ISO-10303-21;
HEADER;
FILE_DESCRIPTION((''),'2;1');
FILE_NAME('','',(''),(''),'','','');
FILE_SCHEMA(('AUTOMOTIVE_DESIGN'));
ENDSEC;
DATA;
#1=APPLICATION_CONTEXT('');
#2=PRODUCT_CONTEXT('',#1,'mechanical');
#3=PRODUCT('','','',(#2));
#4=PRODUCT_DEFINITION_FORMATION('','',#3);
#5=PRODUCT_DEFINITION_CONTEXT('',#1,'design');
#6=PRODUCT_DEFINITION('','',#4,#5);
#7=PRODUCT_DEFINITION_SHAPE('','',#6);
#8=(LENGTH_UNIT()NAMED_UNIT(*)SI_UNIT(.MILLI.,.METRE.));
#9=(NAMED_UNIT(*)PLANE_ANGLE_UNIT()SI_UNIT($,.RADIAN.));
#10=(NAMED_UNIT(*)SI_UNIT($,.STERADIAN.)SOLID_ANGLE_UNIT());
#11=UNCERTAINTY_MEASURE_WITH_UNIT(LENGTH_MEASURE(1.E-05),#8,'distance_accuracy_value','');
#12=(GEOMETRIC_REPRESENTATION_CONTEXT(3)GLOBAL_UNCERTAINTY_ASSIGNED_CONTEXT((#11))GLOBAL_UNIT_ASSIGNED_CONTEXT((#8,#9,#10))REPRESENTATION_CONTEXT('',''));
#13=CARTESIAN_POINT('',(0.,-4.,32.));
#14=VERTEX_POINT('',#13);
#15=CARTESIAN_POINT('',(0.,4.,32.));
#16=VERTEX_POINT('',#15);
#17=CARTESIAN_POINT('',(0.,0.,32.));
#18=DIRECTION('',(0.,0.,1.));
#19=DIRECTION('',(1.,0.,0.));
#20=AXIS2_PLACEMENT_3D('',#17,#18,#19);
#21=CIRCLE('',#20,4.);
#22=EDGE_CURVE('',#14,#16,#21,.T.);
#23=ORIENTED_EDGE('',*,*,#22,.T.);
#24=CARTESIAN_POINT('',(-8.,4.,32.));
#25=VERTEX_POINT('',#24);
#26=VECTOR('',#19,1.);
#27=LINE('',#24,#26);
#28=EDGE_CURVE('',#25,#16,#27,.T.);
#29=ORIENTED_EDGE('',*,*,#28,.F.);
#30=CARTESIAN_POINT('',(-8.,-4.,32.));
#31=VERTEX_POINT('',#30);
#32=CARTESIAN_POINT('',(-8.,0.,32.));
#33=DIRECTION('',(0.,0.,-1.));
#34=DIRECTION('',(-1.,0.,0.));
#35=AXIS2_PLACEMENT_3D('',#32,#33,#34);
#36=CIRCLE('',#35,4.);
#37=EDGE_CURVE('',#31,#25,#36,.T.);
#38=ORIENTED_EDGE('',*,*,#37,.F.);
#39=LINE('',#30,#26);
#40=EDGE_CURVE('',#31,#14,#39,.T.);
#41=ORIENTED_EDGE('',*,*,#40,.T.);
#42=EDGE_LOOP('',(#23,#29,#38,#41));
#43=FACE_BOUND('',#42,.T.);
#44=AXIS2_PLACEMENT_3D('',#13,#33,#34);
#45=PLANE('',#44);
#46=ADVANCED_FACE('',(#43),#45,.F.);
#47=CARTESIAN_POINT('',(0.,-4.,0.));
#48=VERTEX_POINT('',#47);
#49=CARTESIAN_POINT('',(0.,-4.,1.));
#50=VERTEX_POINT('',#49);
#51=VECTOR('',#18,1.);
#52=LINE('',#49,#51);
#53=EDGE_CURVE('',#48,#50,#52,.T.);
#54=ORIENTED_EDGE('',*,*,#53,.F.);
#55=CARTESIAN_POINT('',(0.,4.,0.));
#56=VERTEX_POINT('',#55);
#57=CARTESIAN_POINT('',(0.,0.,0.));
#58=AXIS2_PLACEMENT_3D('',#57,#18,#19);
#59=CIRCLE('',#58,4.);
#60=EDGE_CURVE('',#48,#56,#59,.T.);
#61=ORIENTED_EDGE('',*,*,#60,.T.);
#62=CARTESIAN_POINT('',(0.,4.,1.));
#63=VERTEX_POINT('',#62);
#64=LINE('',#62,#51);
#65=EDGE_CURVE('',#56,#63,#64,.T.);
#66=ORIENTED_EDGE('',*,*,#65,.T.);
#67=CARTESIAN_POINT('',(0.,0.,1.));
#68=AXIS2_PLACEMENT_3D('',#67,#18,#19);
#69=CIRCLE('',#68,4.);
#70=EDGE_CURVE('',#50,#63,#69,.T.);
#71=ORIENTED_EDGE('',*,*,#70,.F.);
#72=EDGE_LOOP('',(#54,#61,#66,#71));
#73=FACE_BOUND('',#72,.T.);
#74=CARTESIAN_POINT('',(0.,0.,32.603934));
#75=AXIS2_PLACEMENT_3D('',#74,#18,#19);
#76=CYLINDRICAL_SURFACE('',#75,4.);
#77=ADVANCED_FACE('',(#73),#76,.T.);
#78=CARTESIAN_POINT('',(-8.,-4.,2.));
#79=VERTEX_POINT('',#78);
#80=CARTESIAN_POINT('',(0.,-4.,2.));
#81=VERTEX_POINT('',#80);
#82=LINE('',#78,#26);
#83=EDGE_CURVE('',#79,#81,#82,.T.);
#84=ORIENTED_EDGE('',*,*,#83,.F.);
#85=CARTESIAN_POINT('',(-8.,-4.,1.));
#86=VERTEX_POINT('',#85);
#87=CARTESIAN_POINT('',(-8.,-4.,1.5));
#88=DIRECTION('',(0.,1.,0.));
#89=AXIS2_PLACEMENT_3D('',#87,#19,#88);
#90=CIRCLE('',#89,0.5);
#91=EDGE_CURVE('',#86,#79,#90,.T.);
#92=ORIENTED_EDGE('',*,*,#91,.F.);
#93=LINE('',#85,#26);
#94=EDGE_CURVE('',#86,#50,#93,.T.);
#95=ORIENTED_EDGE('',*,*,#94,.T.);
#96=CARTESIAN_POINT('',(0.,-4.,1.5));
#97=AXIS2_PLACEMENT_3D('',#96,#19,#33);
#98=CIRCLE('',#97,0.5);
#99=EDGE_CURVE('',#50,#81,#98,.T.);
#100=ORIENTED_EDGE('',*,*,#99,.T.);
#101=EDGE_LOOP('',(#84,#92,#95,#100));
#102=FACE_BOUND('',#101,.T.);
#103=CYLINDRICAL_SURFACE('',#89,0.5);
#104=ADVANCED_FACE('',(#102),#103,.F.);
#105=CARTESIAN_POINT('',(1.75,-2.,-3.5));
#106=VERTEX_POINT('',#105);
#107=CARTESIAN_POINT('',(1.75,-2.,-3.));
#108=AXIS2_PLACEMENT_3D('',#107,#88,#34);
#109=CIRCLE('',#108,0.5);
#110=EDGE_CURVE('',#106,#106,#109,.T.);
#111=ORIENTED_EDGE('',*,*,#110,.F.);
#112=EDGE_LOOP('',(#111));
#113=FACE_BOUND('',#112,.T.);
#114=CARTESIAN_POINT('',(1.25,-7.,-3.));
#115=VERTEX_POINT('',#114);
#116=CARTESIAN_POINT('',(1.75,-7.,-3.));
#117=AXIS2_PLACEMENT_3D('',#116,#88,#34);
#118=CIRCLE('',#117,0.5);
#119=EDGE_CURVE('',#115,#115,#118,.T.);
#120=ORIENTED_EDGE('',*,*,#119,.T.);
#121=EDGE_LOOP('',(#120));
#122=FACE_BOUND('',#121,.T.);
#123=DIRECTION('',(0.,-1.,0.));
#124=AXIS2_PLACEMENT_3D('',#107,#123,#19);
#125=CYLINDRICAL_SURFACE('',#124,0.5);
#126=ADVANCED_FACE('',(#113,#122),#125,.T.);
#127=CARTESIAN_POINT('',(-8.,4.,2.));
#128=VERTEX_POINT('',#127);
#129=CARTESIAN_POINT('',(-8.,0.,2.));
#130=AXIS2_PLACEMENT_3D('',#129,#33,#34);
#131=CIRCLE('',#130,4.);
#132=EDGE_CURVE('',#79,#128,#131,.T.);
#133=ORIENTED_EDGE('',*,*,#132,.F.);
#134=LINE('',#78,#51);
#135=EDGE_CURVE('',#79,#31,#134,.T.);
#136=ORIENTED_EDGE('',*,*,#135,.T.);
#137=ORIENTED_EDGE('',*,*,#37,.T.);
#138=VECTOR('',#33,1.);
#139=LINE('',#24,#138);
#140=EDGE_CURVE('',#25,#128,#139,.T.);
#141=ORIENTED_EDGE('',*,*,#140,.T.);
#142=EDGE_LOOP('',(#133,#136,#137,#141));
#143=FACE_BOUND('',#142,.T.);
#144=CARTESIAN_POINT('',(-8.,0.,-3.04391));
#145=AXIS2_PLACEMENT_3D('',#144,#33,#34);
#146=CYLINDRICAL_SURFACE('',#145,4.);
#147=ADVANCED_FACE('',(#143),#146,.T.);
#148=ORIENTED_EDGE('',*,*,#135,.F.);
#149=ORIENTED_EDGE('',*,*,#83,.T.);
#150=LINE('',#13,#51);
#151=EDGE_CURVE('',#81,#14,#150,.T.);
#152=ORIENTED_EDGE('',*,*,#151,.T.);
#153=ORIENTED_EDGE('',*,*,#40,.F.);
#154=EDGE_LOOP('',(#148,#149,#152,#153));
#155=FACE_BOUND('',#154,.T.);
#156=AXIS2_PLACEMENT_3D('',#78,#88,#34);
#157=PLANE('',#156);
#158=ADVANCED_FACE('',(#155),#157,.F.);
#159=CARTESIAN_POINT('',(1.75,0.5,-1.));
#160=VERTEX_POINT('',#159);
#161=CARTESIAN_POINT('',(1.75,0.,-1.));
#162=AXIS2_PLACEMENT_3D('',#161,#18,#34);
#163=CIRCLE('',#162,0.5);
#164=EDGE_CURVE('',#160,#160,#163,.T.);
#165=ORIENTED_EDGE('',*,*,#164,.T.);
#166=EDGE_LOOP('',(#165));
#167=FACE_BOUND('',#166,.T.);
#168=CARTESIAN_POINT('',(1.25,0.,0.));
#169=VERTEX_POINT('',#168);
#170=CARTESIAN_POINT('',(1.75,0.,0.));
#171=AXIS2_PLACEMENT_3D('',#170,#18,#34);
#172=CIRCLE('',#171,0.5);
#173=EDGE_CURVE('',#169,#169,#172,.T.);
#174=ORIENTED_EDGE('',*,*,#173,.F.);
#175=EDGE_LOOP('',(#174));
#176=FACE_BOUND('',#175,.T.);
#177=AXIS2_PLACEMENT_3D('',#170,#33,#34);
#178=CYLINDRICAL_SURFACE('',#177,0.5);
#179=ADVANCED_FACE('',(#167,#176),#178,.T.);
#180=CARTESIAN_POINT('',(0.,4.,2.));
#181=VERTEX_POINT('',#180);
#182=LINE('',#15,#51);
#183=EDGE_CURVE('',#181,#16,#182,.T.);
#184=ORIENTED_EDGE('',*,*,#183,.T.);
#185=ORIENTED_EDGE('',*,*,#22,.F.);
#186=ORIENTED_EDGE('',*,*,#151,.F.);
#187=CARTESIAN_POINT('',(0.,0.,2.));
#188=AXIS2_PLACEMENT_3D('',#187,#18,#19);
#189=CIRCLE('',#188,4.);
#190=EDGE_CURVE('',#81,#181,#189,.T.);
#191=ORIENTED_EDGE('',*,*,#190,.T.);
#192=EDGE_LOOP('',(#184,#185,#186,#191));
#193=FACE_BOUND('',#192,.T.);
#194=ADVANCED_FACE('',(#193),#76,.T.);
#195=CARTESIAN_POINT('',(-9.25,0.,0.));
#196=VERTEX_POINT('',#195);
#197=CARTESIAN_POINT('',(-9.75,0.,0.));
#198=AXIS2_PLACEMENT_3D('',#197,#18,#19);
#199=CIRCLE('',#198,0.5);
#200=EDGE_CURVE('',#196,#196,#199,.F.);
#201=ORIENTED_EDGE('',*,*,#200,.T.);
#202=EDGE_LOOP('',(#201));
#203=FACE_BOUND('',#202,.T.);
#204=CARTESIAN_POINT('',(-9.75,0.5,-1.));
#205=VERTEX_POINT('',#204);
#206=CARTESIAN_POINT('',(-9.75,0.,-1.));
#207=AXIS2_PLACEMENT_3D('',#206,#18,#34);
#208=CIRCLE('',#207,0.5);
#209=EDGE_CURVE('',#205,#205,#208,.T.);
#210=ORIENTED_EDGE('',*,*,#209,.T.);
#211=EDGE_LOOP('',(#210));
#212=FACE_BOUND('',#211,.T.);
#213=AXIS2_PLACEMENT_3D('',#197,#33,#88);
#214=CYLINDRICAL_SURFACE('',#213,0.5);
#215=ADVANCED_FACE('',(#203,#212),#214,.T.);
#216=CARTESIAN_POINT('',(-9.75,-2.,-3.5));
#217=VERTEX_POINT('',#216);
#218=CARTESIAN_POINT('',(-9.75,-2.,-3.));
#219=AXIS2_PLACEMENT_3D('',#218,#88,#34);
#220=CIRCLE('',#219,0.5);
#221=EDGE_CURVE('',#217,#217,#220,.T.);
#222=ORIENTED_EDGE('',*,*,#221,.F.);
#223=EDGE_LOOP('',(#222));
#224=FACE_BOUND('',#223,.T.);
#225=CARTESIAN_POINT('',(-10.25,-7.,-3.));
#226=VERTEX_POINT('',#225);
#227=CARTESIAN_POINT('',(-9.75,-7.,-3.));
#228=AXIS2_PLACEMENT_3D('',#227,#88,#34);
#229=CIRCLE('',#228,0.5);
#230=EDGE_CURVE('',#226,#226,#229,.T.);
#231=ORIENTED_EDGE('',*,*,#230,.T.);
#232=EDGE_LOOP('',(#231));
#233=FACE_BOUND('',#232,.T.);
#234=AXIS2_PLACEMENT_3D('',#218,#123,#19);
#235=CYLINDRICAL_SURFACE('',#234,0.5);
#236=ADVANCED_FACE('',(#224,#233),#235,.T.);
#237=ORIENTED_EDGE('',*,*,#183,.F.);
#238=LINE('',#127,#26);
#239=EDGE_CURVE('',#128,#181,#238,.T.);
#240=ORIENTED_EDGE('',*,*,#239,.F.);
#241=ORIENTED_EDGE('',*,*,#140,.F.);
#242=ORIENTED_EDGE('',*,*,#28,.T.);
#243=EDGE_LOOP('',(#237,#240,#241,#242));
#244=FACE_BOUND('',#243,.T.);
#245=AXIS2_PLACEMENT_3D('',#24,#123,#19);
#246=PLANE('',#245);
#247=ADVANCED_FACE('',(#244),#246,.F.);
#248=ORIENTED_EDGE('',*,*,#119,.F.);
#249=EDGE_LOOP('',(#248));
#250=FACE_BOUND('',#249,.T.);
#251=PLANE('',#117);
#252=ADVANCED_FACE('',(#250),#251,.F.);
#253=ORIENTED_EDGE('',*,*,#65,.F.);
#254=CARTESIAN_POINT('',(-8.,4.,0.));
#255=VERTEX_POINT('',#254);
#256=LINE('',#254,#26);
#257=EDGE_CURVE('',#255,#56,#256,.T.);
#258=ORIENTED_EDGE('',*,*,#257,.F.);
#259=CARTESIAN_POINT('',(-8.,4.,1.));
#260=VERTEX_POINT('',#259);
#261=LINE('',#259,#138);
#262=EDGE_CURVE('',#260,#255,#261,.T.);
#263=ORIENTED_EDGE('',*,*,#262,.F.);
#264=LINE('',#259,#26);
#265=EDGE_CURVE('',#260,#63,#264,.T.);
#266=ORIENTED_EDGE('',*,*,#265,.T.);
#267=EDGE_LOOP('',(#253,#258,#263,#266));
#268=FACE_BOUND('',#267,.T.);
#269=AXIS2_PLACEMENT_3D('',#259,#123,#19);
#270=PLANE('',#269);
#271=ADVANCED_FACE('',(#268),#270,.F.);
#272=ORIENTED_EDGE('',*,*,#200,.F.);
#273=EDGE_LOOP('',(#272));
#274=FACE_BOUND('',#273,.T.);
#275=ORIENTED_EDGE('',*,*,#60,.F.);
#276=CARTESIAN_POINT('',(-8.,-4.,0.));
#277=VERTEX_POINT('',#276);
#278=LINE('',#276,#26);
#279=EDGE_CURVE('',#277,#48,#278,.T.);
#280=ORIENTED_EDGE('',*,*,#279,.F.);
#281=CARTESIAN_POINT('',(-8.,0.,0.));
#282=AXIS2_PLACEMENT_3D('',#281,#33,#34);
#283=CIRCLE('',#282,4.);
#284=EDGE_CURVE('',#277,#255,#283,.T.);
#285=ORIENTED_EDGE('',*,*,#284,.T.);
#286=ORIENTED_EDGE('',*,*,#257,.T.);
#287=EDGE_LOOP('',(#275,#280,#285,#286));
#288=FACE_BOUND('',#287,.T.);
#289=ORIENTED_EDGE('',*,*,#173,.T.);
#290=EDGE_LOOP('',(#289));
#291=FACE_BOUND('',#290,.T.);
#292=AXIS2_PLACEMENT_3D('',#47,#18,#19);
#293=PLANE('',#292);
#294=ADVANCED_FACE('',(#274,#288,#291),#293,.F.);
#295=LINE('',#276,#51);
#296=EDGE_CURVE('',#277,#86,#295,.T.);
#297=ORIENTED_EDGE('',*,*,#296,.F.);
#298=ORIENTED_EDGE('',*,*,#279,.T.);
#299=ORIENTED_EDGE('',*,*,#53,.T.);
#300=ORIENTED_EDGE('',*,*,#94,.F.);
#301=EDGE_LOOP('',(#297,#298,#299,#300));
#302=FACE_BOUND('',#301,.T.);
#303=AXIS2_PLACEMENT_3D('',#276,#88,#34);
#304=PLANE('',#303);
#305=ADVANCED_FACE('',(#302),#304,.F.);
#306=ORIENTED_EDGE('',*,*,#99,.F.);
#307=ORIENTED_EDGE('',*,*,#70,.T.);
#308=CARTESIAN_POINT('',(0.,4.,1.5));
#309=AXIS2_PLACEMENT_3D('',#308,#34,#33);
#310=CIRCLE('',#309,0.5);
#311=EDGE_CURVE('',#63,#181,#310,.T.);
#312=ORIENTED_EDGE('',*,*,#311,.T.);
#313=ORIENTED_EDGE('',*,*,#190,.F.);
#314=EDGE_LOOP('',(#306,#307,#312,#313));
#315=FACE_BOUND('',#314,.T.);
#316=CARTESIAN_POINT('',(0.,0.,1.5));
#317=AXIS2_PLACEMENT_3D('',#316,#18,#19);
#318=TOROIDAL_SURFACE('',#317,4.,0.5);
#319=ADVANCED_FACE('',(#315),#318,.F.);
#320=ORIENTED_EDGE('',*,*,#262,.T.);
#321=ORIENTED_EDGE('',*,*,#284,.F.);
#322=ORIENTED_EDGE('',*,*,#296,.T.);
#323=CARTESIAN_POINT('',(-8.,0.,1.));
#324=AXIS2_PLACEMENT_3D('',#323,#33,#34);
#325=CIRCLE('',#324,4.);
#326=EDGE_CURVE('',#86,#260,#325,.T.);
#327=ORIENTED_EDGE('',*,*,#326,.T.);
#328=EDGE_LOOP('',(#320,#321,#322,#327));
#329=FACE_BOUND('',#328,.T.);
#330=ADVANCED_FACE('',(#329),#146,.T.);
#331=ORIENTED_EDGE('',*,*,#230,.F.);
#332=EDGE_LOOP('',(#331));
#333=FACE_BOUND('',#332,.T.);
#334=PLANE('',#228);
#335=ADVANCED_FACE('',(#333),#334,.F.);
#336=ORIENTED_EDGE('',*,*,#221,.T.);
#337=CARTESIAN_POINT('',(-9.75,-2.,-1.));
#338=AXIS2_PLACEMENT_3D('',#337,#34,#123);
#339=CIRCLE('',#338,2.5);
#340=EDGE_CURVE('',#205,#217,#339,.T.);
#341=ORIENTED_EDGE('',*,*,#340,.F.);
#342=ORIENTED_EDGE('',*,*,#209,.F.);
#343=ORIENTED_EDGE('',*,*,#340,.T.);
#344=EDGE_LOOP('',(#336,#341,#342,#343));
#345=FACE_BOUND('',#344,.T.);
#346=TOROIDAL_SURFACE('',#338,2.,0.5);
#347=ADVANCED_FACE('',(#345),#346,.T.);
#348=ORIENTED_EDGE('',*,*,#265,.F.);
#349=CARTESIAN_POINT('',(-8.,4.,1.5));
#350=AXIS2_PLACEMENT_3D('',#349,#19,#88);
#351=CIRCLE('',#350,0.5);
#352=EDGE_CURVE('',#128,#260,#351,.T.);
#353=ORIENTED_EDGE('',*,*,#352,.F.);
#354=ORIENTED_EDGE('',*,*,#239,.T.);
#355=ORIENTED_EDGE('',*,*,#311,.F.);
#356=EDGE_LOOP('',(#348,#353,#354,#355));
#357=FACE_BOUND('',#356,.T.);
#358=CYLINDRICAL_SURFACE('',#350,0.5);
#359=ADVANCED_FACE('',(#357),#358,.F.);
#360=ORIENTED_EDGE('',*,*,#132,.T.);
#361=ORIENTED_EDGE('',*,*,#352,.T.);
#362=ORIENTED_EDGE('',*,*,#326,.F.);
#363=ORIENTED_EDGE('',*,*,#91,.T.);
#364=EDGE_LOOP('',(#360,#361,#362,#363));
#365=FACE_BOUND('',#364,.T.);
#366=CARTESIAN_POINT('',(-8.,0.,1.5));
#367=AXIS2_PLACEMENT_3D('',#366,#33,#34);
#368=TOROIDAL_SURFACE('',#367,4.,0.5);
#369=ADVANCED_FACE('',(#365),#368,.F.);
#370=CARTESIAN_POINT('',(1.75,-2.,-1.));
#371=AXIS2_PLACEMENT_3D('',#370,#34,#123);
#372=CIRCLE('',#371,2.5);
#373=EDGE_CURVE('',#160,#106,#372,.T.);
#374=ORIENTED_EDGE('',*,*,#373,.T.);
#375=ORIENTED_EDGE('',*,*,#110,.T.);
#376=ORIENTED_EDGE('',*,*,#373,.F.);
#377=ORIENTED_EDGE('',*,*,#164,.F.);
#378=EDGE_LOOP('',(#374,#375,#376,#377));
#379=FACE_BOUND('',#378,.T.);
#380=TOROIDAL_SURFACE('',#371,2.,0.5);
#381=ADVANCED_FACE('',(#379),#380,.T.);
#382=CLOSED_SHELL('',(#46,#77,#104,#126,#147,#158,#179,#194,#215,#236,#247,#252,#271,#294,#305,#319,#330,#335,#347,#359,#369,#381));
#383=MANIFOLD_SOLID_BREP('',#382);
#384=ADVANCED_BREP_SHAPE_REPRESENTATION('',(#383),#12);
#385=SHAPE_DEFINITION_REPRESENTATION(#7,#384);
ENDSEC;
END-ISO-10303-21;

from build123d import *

# Parameters (mm, degrees)
REVOLVE1_ANGLE      = 180
BOSS_EXTRUDE2_DEPTH = 8
REVOLVE2_ANGLE      = 180
SWEEP1_PROFILE_R    = 0.5
SWEEP2_PROFILE_R    = 0.5


with BuildPart() as part:
    # Sketch3 → Revolve1 (revolve)
    with BuildSketch(Plane(origin=(0, 0, 0), x_dir=(0, 0, -1), z_dir=(1, 0, 0))):
        with BuildLine():
            Line((-32, 4), (-2, 4))
            ThreePointArc((-2, 4), (-1.5, 3.5), (-1, 4))
            Line((-1, 4), (0, 4))
            Line((0, 4), (0, 0))
            Line((0, 0), (-32, 0))
            Line((-32, 0), (-32, 4))
        make_face()
    revolve(axis=Axis((0, 0, 32.603933811), (0, 0, -1)), revolution_arc=REVOLVE1_ANGLE)

    # Sketch4 → Boss-Extrude2 (add)
    with BuildSketch(Plane.ZY):
        with BuildLine():
            Line((0, 4), (0, -4))
            Line((0, -4), (1, -4))
            ThreePointArc((1, -4), (1.5, -3.5), (2, -4))
            Line((2, -4), (32, -4))
            Line((32, -4), (32, 4))
            Line((32, 4), (2, 4))
            ThreePointArc((2, 4), (1.5, 3.5), (1, 4))
            Line((1, 4), (0, 4))
        make_face()
    extrude(amount=BOSS_EXTRUDE2_DEPTH)

    # Sketch5 → Revolve2 (revolve)
    with BuildSketch(Plane.ZY.offset(8)):
        with BuildLine():
            Line((0, 0), (0, 4))
            Line((0, 4), (1, 4))
            ThreePointArc((1, 4), (1.5, 3.5), (2, 4))
            Line((2, 4), (32, 4))
            Line((32, 4), (32, 0))
            Line((32, 0), (0, 0))
        make_face()
    revolve(axis=Axis((-8, 0, -3.043909687), (0, 0, 1)), revolution_arc=REVOLVE2_ANGLE)

    # Sweep1: sweep along a path in Sketch7
    with BuildLine(Plane(origin=(1.75, 0, 0), x_dir=(0, 0, -1), z_dir=(1, 0, 0))) as sweep1_path:
        Line((0, 0), (1, 0))
        ThreePointArc((1, 0), (2.414213562, -0.585786438), (3, -2))
        Line((3, -2), (3, -7))
    # Sweep1 profile (on start of the path) → Sweep1 (sweep)
    with BuildSketch(Plane(origin=(1.75, 0, 0), x_dir=(-1, 0, 0), z_dir=(0, 0, -1))):
        Circle(SWEEP1_PROFILE_R)
    sweep(path=sweep1_path.line)

    # Sweep2: sweep along a path in Sketch14
    with BuildLine(Plane.ZY.offset(9.75)) as sweep2_path:
        Line((0, 0), (-1, 0))
        ThreePointArc((-1, 0), (-2.414213562, -0.585786438), (-3, -2))
        Line((-3, -2), (-3, -7))
    # Sweep2 profile (on start of the path) → Sweep2 (sweep)
    with BuildSketch(Plane(origin=(-9.75, 0, 0), x_dir=(0, -1, 0), z_dir=(0, 0, -1))):
        Circle(SWEEP2_PROFILE_R)
    sweep(path=sweep2_path.line)


solid = part.part
